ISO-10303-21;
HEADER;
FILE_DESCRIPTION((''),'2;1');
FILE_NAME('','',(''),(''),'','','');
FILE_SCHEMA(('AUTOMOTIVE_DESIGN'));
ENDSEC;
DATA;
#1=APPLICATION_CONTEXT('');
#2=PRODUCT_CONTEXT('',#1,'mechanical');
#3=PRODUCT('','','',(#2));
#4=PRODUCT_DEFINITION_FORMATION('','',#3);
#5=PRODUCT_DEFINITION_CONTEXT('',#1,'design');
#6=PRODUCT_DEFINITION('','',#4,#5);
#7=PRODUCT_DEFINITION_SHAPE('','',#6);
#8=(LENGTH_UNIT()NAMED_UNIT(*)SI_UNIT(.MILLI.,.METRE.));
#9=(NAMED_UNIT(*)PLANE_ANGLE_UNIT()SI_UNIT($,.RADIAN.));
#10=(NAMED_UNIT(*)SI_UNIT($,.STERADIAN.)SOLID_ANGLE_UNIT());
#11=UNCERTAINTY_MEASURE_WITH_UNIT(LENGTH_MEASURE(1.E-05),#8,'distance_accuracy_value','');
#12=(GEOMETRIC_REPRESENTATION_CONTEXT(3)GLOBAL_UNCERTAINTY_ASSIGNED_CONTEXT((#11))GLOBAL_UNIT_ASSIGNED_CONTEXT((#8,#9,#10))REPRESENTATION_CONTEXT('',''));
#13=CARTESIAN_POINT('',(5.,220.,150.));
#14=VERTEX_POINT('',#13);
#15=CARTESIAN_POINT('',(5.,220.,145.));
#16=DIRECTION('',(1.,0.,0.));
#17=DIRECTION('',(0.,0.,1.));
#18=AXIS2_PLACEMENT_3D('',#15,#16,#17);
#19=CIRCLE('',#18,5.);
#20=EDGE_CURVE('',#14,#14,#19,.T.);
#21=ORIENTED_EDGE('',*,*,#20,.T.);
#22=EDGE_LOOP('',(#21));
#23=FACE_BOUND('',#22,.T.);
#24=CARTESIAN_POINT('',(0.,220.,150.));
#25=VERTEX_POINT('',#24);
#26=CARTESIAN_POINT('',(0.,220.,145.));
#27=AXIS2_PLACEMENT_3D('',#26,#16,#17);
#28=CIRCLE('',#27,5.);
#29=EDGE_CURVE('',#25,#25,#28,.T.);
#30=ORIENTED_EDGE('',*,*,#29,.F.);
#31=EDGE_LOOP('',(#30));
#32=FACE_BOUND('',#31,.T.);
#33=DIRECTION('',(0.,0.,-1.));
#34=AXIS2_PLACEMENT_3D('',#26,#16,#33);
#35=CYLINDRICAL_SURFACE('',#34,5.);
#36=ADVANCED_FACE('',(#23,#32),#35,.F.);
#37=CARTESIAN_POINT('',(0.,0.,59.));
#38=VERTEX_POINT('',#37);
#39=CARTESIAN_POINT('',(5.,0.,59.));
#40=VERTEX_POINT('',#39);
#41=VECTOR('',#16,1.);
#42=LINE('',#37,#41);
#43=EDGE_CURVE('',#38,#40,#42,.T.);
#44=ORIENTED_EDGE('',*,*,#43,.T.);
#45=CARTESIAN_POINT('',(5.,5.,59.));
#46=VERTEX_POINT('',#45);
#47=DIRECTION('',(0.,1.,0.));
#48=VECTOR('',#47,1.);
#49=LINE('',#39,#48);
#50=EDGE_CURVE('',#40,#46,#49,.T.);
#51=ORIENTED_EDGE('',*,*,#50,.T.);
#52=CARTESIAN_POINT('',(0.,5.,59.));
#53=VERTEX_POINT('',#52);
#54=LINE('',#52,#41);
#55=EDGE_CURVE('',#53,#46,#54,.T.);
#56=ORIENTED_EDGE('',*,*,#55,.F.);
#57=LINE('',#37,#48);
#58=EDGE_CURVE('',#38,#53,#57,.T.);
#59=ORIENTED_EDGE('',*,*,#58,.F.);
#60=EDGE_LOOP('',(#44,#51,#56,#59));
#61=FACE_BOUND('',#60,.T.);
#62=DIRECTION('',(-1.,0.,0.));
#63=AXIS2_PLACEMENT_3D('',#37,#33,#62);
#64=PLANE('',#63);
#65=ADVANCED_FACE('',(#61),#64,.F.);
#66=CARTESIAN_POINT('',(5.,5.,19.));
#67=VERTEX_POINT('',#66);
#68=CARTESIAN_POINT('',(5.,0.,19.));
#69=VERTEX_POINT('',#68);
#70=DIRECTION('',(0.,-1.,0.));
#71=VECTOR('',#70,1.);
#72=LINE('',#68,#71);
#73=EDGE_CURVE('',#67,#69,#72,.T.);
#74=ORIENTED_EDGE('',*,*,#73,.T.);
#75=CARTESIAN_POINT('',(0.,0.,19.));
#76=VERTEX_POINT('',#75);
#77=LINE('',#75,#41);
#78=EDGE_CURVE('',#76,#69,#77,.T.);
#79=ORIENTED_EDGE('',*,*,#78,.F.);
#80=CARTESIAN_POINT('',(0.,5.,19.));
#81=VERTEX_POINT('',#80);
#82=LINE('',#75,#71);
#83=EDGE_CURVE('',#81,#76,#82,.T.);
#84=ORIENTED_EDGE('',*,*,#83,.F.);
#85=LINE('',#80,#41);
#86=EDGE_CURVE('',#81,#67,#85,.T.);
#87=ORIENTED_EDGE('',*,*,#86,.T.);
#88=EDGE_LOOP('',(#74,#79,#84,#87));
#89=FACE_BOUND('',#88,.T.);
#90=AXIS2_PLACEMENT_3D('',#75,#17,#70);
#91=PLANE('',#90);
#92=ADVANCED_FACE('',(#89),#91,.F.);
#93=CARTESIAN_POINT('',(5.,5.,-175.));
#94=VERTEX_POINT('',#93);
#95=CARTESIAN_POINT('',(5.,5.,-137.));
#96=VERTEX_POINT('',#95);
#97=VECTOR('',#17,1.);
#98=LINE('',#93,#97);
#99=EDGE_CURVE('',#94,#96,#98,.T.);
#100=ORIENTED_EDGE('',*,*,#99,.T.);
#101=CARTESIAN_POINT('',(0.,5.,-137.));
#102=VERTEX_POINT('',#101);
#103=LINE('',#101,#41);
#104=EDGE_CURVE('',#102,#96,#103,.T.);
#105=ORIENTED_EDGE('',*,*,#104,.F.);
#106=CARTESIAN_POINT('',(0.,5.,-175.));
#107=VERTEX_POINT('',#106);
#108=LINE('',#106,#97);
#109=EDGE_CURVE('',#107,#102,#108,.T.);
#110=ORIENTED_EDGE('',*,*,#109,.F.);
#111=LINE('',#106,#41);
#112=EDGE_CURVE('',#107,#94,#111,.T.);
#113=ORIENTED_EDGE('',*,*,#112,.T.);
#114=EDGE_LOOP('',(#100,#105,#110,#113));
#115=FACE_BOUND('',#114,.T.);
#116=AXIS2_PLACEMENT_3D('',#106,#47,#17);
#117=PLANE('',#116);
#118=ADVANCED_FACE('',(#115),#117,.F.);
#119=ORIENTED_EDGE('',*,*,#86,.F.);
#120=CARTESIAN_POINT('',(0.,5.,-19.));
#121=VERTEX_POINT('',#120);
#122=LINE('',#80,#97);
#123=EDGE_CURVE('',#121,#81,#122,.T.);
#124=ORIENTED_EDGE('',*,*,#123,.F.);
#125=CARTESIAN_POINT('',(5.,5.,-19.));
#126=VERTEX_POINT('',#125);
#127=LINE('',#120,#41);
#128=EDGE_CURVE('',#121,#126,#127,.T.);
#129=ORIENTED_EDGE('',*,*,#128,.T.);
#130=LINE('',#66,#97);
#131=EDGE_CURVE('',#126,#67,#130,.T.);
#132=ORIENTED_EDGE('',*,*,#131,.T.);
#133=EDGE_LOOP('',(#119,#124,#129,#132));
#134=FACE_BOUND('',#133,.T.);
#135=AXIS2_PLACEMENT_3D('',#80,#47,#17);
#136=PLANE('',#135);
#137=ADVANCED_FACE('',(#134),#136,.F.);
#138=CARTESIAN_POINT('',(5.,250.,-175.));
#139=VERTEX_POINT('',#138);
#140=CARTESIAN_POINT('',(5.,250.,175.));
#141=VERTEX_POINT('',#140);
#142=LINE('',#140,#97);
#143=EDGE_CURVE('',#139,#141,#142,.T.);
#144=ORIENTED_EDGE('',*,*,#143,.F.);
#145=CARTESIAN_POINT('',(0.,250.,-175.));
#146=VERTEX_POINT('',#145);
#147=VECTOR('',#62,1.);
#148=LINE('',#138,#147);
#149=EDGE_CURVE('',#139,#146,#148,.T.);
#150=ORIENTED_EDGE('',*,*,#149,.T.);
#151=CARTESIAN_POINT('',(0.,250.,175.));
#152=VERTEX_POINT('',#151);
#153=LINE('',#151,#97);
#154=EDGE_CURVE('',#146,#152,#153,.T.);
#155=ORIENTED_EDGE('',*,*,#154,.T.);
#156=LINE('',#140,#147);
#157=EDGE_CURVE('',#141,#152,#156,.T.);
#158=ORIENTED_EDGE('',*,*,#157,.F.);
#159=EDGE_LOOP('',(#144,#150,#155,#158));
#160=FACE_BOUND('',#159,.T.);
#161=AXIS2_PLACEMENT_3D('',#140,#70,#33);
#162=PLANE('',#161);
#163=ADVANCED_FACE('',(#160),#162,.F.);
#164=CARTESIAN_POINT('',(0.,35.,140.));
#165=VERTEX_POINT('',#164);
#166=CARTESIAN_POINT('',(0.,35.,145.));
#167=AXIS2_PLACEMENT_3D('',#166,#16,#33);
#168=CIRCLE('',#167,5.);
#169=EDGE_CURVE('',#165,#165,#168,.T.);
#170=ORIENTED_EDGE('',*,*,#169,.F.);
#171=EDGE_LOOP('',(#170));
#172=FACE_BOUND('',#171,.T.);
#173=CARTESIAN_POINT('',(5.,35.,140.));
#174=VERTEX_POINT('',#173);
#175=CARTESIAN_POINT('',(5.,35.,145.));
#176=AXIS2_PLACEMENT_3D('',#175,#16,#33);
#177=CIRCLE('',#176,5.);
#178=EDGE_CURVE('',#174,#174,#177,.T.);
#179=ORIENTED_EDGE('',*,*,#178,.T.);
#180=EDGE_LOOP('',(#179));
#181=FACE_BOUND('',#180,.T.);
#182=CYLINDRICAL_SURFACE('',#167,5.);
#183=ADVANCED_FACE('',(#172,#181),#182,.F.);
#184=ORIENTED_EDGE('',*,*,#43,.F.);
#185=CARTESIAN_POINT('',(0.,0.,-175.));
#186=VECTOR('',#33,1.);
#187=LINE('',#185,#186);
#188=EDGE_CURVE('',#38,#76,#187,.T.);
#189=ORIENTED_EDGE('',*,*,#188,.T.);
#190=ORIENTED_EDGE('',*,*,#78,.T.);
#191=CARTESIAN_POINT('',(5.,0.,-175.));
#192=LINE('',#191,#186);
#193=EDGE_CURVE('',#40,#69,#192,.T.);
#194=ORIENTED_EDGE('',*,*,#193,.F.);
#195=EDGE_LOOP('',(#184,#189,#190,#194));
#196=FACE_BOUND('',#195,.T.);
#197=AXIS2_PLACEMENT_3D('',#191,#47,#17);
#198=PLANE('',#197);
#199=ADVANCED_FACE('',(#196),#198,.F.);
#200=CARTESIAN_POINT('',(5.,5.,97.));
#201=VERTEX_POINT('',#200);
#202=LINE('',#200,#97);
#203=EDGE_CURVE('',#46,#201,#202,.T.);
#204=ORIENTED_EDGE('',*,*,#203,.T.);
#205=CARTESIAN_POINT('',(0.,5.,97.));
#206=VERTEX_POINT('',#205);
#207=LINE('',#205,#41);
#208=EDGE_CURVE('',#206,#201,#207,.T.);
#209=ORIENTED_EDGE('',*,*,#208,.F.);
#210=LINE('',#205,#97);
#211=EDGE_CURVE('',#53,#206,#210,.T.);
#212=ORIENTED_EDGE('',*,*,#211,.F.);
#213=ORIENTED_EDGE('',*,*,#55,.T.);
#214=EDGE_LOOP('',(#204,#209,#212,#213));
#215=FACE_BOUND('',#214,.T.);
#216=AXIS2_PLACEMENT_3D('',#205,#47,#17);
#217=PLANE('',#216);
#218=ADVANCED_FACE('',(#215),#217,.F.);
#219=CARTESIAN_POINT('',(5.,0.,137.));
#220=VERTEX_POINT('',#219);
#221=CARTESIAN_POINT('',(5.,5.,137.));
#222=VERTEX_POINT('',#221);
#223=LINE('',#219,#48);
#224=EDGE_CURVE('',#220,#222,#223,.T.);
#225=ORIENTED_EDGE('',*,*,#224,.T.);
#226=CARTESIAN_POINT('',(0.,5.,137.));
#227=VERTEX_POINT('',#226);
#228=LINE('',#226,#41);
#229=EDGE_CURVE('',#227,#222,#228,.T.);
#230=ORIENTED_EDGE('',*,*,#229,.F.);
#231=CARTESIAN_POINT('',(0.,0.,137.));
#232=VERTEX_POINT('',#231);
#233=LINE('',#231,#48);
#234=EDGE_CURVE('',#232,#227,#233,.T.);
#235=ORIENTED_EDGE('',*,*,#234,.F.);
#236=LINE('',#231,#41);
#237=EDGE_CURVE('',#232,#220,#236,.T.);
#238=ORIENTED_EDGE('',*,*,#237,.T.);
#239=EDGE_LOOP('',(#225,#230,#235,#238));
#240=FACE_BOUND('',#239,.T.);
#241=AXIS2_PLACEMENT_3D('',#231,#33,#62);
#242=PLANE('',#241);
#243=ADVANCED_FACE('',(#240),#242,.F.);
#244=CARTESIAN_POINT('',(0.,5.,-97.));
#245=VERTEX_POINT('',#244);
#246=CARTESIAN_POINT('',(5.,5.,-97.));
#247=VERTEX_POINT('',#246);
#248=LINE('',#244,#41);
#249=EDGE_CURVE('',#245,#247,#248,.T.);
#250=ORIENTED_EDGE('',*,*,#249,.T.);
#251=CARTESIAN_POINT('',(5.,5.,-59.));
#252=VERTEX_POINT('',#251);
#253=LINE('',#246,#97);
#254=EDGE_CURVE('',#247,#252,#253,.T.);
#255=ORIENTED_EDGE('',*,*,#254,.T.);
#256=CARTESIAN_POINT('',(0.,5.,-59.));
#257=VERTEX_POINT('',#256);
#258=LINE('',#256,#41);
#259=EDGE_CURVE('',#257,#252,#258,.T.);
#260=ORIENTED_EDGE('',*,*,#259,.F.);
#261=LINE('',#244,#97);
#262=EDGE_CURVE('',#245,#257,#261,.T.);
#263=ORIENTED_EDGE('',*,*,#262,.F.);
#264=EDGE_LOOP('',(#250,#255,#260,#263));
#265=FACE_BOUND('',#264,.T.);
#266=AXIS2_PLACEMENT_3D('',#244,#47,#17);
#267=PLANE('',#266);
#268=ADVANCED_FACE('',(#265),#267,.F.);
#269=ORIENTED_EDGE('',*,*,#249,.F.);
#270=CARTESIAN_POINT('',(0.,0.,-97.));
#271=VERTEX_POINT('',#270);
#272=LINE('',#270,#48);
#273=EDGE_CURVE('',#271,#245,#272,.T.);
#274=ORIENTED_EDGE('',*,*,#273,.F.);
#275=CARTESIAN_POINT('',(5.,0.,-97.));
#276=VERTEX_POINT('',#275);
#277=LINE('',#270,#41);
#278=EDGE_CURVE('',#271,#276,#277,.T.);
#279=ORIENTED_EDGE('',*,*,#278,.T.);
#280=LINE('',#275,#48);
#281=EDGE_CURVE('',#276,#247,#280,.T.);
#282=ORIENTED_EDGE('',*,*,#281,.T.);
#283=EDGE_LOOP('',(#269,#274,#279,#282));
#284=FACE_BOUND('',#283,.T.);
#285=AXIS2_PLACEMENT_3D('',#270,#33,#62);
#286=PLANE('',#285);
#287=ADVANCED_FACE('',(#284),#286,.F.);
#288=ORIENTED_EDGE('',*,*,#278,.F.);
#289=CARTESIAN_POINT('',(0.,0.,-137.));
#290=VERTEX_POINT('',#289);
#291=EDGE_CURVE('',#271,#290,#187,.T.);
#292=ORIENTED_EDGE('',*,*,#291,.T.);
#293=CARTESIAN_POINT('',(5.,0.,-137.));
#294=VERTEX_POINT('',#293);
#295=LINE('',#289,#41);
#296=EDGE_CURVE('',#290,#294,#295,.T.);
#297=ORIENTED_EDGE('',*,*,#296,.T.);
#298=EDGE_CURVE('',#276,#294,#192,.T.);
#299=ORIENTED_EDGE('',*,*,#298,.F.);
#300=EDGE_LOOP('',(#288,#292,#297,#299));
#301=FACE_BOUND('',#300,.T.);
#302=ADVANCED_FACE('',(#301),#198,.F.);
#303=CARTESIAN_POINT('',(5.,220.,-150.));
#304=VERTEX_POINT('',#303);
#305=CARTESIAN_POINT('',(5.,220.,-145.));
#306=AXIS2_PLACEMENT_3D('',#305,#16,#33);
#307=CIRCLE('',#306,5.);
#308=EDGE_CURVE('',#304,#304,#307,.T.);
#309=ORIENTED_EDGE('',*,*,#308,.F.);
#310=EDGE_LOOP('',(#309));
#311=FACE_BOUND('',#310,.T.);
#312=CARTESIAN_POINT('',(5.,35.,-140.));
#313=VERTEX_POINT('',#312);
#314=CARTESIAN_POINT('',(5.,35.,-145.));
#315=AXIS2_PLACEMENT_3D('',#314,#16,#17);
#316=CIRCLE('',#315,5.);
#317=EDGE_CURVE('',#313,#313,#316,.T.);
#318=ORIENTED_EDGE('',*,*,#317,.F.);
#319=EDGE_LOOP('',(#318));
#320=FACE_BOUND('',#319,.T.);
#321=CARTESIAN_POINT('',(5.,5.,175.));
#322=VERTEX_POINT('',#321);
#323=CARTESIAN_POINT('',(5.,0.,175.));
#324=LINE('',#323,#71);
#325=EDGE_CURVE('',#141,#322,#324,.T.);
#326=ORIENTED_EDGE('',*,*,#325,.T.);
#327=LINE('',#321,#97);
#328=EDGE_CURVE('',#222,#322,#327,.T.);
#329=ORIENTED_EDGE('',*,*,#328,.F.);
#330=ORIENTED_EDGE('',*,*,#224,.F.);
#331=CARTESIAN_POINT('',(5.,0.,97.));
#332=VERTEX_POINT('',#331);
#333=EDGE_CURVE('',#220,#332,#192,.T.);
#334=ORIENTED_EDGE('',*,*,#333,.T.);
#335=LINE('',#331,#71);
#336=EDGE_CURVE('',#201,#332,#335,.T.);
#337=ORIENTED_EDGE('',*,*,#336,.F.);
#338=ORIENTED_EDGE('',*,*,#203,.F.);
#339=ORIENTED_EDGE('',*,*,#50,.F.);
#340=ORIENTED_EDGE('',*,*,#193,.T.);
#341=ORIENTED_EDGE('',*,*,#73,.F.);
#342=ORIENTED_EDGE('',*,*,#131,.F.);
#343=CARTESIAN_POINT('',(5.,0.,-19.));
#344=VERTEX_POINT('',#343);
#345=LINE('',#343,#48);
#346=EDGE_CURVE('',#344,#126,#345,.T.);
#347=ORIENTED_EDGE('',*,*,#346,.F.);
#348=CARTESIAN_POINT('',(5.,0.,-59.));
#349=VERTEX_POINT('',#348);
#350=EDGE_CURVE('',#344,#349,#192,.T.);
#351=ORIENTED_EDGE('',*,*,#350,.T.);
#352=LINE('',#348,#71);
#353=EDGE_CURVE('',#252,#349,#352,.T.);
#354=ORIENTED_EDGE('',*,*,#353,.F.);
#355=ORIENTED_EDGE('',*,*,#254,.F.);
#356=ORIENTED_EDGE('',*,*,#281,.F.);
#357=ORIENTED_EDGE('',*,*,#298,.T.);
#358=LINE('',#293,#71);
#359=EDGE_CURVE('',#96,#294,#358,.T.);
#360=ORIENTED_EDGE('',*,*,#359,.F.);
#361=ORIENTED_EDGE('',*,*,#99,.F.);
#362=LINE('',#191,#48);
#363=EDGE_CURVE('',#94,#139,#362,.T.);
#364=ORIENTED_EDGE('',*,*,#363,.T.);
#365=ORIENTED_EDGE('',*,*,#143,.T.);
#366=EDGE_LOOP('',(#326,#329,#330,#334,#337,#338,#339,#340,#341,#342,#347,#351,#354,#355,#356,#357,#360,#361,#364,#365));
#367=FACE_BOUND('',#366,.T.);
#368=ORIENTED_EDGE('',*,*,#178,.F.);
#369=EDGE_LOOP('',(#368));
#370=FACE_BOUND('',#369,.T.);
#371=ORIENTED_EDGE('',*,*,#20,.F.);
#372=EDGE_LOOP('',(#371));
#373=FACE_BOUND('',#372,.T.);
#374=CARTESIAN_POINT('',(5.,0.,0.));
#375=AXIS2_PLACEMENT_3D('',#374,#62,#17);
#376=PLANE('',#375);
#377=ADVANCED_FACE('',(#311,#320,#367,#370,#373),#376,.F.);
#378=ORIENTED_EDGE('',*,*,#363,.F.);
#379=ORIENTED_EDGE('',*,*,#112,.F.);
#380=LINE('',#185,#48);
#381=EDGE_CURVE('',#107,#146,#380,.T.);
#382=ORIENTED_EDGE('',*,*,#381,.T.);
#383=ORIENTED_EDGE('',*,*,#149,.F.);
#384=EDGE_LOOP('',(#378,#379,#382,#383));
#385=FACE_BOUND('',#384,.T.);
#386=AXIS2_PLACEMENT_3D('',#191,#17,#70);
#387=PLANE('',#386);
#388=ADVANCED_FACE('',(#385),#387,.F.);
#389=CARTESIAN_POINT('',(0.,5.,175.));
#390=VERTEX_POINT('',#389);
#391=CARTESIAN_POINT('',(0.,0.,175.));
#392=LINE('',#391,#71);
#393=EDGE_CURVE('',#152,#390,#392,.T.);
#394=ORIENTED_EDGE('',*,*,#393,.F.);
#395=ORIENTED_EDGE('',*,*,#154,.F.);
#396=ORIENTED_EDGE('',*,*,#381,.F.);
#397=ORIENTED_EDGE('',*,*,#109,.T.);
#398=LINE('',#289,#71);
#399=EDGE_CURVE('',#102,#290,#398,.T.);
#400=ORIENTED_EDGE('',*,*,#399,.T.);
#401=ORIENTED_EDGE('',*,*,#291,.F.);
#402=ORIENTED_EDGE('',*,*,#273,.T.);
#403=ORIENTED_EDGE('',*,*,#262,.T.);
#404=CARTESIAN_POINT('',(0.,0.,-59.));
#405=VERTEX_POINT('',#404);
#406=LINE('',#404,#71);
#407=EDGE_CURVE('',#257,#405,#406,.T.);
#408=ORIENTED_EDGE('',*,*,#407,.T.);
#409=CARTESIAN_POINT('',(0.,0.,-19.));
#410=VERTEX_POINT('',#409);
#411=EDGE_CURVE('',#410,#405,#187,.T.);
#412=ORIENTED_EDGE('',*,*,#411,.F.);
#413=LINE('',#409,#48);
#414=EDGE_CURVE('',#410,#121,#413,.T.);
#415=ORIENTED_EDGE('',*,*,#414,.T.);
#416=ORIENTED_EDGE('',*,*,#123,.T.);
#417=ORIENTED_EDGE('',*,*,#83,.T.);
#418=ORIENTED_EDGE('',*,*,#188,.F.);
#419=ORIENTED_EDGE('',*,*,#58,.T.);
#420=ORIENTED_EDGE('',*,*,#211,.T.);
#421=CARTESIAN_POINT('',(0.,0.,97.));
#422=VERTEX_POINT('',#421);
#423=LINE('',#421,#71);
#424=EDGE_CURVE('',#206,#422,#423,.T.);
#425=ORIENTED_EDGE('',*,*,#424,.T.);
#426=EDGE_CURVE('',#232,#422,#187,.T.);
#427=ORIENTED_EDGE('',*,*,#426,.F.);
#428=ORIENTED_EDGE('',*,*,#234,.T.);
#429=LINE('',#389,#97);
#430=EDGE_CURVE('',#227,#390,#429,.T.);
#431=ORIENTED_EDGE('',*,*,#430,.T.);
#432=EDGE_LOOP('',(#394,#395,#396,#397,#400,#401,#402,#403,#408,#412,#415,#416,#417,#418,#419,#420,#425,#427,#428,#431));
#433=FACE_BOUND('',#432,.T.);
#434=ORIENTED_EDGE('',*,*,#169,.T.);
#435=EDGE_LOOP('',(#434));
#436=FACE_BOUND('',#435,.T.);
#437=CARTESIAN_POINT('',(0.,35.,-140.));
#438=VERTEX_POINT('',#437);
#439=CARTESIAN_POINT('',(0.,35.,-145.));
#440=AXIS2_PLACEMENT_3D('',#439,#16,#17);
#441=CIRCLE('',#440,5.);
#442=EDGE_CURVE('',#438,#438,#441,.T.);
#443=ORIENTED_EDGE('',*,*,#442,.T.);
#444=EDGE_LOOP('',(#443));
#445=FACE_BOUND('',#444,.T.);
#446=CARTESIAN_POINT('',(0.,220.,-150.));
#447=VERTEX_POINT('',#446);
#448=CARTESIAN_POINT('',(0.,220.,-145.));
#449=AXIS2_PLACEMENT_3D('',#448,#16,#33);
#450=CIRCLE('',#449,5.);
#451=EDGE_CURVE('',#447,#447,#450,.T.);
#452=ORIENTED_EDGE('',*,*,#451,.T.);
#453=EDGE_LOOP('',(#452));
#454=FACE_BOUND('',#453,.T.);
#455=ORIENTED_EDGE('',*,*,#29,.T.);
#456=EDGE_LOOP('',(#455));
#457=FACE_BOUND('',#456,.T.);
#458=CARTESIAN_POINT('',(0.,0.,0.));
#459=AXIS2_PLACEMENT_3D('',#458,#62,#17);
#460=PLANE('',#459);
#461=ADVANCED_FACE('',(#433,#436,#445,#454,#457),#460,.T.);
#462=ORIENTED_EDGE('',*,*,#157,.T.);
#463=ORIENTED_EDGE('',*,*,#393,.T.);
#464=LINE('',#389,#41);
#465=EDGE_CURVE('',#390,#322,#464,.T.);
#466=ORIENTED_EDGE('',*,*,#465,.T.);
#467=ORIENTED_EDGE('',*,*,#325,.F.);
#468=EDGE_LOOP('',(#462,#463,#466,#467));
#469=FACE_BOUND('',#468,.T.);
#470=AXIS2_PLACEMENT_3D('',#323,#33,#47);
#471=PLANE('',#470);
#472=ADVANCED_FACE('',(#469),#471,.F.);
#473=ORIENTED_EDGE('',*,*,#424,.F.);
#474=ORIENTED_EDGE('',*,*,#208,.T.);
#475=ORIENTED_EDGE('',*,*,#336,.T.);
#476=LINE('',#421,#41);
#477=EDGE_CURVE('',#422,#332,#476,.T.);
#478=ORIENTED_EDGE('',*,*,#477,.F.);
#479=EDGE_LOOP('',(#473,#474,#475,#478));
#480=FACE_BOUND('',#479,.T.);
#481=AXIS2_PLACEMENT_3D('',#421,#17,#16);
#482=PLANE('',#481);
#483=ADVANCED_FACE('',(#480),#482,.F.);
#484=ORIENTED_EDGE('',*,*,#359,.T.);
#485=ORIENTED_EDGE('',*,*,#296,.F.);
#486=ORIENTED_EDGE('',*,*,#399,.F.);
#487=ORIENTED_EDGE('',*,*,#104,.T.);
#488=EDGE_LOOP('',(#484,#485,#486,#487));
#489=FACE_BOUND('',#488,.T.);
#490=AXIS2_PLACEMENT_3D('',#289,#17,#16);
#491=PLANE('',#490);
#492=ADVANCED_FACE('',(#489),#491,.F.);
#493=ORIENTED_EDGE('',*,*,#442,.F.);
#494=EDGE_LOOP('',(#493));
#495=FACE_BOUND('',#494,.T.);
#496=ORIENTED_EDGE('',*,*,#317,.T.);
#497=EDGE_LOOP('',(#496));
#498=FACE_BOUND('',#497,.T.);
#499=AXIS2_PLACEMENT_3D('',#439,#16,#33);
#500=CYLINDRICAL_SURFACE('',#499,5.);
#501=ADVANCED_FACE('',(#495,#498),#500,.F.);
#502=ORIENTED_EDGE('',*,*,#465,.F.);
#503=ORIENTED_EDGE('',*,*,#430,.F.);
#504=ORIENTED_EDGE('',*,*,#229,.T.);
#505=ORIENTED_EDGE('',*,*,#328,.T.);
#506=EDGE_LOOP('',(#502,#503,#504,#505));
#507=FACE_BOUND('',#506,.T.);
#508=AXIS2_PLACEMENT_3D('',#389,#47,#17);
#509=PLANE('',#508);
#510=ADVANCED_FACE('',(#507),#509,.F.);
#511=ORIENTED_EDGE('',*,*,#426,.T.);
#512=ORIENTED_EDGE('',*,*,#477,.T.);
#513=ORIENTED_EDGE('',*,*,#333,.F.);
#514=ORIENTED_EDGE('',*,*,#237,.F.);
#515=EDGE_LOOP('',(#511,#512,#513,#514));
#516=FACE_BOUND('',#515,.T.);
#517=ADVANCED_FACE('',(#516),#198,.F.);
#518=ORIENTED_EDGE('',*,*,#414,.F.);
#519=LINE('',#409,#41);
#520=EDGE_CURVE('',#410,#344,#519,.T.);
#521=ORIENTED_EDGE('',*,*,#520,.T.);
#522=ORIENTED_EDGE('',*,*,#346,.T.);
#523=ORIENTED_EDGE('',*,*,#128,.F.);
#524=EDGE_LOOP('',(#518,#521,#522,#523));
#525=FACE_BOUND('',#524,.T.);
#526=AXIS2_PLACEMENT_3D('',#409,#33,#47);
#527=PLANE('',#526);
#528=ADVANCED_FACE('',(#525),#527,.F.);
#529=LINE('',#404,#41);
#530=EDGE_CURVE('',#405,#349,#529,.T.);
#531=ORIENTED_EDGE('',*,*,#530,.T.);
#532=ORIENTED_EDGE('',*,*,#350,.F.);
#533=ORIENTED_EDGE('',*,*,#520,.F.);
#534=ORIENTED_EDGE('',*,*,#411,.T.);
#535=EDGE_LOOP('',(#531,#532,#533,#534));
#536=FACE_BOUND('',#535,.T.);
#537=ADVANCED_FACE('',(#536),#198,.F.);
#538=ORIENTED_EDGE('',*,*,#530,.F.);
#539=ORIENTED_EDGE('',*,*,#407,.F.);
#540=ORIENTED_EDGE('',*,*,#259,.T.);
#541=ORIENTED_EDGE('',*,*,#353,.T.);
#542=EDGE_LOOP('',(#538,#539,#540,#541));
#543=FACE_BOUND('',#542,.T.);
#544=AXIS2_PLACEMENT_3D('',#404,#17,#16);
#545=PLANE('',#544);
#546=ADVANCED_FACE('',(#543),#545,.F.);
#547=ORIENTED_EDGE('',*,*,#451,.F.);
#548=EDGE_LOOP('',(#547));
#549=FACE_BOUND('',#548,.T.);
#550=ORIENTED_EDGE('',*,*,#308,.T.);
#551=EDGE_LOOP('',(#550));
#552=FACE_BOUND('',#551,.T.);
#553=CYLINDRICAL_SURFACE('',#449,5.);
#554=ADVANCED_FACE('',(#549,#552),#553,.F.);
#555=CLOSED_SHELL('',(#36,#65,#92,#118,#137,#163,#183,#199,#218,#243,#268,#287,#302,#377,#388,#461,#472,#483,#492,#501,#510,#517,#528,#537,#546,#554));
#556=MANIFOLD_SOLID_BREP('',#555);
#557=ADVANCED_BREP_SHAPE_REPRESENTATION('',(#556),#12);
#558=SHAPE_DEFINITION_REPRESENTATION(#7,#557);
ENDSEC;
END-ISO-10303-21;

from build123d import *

# Parameters (mm, degrees)
SKIZZE1_W                  = 350
SKIZZE1_H                  = 250
GRUNDPLATTE_DEPTH          = 5
SKIZZE2_W                  = 38
SKIZZE2_H                  = 5
ZAPFEN_BODEN_DEPTH         = 6
SKIZZE3_R                  = 5
VERBINDUNGSBOHRUNGEN_DEPTH = 6


with BuildPart() as part:
    # Skizze1 → Grundplatte (new body)
    with BuildSketch(Plane(origin=(0, 0, 0), x_dir=(0, 0, -1), z_dir=(1, 0, 0))):
        with Locations((0, 125)):
            Rectangle(SKIZZE1_W, SKIZZE1_H)
    extrude(amount=GRUNDPLATTE_DEPTH)

    # Skizze2 → Zapfen Boden (cut, through all)
    with BuildSketch(Plane(origin=(5, 0, 0), x_dir=(0, 0, -1), z_dir=(1, 0, 0))):
        with Locations((-156, 2.5)):
            Rectangle(SKIZZE2_W, SKIZZE2_H)
        with Locations((-78, 2.5)):
            Rectangle(SKIZZE2_W, SKIZZE2_H)
        with Locations((0, 2.5)):
            Rectangle(SKIZZE2_W, SKIZZE2_H)
        with Locations((78, 2.5)):
            Rectangle(SKIZZE2_W, SKIZZE2_H)
        with Locations((156, 2.5)):
            Rectangle(SKIZZE2_W, SKIZZE2_H)
    extrude(amount=-ZAPFEN_BODEN_DEPTH, mode=Mode.SUBTRACT)

    # Skizze3 → Verbindungsbohrungen (cut, through all)
    with BuildSketch(Plane(origin=(5, 0, 0), x_dir=(0, 0, -1), z_dir=(1, 0, 0))):
        with Locations((145, 220)):
            Circle(SKIZZE3_R)
        with Locations((-145, 220)):
            Circle(SKIZZE3_R)
        with Locations((-145, 35)):
            Circle(SKIZZE3_R)
        with Locations((145, 35)):
            Circle(SKIZZE3_R)
    extrude(amount=-VERBINDUNGSBOHRUNGEN_DEPTH, mode=Mode.SUBTRACT)


solid = part.part
